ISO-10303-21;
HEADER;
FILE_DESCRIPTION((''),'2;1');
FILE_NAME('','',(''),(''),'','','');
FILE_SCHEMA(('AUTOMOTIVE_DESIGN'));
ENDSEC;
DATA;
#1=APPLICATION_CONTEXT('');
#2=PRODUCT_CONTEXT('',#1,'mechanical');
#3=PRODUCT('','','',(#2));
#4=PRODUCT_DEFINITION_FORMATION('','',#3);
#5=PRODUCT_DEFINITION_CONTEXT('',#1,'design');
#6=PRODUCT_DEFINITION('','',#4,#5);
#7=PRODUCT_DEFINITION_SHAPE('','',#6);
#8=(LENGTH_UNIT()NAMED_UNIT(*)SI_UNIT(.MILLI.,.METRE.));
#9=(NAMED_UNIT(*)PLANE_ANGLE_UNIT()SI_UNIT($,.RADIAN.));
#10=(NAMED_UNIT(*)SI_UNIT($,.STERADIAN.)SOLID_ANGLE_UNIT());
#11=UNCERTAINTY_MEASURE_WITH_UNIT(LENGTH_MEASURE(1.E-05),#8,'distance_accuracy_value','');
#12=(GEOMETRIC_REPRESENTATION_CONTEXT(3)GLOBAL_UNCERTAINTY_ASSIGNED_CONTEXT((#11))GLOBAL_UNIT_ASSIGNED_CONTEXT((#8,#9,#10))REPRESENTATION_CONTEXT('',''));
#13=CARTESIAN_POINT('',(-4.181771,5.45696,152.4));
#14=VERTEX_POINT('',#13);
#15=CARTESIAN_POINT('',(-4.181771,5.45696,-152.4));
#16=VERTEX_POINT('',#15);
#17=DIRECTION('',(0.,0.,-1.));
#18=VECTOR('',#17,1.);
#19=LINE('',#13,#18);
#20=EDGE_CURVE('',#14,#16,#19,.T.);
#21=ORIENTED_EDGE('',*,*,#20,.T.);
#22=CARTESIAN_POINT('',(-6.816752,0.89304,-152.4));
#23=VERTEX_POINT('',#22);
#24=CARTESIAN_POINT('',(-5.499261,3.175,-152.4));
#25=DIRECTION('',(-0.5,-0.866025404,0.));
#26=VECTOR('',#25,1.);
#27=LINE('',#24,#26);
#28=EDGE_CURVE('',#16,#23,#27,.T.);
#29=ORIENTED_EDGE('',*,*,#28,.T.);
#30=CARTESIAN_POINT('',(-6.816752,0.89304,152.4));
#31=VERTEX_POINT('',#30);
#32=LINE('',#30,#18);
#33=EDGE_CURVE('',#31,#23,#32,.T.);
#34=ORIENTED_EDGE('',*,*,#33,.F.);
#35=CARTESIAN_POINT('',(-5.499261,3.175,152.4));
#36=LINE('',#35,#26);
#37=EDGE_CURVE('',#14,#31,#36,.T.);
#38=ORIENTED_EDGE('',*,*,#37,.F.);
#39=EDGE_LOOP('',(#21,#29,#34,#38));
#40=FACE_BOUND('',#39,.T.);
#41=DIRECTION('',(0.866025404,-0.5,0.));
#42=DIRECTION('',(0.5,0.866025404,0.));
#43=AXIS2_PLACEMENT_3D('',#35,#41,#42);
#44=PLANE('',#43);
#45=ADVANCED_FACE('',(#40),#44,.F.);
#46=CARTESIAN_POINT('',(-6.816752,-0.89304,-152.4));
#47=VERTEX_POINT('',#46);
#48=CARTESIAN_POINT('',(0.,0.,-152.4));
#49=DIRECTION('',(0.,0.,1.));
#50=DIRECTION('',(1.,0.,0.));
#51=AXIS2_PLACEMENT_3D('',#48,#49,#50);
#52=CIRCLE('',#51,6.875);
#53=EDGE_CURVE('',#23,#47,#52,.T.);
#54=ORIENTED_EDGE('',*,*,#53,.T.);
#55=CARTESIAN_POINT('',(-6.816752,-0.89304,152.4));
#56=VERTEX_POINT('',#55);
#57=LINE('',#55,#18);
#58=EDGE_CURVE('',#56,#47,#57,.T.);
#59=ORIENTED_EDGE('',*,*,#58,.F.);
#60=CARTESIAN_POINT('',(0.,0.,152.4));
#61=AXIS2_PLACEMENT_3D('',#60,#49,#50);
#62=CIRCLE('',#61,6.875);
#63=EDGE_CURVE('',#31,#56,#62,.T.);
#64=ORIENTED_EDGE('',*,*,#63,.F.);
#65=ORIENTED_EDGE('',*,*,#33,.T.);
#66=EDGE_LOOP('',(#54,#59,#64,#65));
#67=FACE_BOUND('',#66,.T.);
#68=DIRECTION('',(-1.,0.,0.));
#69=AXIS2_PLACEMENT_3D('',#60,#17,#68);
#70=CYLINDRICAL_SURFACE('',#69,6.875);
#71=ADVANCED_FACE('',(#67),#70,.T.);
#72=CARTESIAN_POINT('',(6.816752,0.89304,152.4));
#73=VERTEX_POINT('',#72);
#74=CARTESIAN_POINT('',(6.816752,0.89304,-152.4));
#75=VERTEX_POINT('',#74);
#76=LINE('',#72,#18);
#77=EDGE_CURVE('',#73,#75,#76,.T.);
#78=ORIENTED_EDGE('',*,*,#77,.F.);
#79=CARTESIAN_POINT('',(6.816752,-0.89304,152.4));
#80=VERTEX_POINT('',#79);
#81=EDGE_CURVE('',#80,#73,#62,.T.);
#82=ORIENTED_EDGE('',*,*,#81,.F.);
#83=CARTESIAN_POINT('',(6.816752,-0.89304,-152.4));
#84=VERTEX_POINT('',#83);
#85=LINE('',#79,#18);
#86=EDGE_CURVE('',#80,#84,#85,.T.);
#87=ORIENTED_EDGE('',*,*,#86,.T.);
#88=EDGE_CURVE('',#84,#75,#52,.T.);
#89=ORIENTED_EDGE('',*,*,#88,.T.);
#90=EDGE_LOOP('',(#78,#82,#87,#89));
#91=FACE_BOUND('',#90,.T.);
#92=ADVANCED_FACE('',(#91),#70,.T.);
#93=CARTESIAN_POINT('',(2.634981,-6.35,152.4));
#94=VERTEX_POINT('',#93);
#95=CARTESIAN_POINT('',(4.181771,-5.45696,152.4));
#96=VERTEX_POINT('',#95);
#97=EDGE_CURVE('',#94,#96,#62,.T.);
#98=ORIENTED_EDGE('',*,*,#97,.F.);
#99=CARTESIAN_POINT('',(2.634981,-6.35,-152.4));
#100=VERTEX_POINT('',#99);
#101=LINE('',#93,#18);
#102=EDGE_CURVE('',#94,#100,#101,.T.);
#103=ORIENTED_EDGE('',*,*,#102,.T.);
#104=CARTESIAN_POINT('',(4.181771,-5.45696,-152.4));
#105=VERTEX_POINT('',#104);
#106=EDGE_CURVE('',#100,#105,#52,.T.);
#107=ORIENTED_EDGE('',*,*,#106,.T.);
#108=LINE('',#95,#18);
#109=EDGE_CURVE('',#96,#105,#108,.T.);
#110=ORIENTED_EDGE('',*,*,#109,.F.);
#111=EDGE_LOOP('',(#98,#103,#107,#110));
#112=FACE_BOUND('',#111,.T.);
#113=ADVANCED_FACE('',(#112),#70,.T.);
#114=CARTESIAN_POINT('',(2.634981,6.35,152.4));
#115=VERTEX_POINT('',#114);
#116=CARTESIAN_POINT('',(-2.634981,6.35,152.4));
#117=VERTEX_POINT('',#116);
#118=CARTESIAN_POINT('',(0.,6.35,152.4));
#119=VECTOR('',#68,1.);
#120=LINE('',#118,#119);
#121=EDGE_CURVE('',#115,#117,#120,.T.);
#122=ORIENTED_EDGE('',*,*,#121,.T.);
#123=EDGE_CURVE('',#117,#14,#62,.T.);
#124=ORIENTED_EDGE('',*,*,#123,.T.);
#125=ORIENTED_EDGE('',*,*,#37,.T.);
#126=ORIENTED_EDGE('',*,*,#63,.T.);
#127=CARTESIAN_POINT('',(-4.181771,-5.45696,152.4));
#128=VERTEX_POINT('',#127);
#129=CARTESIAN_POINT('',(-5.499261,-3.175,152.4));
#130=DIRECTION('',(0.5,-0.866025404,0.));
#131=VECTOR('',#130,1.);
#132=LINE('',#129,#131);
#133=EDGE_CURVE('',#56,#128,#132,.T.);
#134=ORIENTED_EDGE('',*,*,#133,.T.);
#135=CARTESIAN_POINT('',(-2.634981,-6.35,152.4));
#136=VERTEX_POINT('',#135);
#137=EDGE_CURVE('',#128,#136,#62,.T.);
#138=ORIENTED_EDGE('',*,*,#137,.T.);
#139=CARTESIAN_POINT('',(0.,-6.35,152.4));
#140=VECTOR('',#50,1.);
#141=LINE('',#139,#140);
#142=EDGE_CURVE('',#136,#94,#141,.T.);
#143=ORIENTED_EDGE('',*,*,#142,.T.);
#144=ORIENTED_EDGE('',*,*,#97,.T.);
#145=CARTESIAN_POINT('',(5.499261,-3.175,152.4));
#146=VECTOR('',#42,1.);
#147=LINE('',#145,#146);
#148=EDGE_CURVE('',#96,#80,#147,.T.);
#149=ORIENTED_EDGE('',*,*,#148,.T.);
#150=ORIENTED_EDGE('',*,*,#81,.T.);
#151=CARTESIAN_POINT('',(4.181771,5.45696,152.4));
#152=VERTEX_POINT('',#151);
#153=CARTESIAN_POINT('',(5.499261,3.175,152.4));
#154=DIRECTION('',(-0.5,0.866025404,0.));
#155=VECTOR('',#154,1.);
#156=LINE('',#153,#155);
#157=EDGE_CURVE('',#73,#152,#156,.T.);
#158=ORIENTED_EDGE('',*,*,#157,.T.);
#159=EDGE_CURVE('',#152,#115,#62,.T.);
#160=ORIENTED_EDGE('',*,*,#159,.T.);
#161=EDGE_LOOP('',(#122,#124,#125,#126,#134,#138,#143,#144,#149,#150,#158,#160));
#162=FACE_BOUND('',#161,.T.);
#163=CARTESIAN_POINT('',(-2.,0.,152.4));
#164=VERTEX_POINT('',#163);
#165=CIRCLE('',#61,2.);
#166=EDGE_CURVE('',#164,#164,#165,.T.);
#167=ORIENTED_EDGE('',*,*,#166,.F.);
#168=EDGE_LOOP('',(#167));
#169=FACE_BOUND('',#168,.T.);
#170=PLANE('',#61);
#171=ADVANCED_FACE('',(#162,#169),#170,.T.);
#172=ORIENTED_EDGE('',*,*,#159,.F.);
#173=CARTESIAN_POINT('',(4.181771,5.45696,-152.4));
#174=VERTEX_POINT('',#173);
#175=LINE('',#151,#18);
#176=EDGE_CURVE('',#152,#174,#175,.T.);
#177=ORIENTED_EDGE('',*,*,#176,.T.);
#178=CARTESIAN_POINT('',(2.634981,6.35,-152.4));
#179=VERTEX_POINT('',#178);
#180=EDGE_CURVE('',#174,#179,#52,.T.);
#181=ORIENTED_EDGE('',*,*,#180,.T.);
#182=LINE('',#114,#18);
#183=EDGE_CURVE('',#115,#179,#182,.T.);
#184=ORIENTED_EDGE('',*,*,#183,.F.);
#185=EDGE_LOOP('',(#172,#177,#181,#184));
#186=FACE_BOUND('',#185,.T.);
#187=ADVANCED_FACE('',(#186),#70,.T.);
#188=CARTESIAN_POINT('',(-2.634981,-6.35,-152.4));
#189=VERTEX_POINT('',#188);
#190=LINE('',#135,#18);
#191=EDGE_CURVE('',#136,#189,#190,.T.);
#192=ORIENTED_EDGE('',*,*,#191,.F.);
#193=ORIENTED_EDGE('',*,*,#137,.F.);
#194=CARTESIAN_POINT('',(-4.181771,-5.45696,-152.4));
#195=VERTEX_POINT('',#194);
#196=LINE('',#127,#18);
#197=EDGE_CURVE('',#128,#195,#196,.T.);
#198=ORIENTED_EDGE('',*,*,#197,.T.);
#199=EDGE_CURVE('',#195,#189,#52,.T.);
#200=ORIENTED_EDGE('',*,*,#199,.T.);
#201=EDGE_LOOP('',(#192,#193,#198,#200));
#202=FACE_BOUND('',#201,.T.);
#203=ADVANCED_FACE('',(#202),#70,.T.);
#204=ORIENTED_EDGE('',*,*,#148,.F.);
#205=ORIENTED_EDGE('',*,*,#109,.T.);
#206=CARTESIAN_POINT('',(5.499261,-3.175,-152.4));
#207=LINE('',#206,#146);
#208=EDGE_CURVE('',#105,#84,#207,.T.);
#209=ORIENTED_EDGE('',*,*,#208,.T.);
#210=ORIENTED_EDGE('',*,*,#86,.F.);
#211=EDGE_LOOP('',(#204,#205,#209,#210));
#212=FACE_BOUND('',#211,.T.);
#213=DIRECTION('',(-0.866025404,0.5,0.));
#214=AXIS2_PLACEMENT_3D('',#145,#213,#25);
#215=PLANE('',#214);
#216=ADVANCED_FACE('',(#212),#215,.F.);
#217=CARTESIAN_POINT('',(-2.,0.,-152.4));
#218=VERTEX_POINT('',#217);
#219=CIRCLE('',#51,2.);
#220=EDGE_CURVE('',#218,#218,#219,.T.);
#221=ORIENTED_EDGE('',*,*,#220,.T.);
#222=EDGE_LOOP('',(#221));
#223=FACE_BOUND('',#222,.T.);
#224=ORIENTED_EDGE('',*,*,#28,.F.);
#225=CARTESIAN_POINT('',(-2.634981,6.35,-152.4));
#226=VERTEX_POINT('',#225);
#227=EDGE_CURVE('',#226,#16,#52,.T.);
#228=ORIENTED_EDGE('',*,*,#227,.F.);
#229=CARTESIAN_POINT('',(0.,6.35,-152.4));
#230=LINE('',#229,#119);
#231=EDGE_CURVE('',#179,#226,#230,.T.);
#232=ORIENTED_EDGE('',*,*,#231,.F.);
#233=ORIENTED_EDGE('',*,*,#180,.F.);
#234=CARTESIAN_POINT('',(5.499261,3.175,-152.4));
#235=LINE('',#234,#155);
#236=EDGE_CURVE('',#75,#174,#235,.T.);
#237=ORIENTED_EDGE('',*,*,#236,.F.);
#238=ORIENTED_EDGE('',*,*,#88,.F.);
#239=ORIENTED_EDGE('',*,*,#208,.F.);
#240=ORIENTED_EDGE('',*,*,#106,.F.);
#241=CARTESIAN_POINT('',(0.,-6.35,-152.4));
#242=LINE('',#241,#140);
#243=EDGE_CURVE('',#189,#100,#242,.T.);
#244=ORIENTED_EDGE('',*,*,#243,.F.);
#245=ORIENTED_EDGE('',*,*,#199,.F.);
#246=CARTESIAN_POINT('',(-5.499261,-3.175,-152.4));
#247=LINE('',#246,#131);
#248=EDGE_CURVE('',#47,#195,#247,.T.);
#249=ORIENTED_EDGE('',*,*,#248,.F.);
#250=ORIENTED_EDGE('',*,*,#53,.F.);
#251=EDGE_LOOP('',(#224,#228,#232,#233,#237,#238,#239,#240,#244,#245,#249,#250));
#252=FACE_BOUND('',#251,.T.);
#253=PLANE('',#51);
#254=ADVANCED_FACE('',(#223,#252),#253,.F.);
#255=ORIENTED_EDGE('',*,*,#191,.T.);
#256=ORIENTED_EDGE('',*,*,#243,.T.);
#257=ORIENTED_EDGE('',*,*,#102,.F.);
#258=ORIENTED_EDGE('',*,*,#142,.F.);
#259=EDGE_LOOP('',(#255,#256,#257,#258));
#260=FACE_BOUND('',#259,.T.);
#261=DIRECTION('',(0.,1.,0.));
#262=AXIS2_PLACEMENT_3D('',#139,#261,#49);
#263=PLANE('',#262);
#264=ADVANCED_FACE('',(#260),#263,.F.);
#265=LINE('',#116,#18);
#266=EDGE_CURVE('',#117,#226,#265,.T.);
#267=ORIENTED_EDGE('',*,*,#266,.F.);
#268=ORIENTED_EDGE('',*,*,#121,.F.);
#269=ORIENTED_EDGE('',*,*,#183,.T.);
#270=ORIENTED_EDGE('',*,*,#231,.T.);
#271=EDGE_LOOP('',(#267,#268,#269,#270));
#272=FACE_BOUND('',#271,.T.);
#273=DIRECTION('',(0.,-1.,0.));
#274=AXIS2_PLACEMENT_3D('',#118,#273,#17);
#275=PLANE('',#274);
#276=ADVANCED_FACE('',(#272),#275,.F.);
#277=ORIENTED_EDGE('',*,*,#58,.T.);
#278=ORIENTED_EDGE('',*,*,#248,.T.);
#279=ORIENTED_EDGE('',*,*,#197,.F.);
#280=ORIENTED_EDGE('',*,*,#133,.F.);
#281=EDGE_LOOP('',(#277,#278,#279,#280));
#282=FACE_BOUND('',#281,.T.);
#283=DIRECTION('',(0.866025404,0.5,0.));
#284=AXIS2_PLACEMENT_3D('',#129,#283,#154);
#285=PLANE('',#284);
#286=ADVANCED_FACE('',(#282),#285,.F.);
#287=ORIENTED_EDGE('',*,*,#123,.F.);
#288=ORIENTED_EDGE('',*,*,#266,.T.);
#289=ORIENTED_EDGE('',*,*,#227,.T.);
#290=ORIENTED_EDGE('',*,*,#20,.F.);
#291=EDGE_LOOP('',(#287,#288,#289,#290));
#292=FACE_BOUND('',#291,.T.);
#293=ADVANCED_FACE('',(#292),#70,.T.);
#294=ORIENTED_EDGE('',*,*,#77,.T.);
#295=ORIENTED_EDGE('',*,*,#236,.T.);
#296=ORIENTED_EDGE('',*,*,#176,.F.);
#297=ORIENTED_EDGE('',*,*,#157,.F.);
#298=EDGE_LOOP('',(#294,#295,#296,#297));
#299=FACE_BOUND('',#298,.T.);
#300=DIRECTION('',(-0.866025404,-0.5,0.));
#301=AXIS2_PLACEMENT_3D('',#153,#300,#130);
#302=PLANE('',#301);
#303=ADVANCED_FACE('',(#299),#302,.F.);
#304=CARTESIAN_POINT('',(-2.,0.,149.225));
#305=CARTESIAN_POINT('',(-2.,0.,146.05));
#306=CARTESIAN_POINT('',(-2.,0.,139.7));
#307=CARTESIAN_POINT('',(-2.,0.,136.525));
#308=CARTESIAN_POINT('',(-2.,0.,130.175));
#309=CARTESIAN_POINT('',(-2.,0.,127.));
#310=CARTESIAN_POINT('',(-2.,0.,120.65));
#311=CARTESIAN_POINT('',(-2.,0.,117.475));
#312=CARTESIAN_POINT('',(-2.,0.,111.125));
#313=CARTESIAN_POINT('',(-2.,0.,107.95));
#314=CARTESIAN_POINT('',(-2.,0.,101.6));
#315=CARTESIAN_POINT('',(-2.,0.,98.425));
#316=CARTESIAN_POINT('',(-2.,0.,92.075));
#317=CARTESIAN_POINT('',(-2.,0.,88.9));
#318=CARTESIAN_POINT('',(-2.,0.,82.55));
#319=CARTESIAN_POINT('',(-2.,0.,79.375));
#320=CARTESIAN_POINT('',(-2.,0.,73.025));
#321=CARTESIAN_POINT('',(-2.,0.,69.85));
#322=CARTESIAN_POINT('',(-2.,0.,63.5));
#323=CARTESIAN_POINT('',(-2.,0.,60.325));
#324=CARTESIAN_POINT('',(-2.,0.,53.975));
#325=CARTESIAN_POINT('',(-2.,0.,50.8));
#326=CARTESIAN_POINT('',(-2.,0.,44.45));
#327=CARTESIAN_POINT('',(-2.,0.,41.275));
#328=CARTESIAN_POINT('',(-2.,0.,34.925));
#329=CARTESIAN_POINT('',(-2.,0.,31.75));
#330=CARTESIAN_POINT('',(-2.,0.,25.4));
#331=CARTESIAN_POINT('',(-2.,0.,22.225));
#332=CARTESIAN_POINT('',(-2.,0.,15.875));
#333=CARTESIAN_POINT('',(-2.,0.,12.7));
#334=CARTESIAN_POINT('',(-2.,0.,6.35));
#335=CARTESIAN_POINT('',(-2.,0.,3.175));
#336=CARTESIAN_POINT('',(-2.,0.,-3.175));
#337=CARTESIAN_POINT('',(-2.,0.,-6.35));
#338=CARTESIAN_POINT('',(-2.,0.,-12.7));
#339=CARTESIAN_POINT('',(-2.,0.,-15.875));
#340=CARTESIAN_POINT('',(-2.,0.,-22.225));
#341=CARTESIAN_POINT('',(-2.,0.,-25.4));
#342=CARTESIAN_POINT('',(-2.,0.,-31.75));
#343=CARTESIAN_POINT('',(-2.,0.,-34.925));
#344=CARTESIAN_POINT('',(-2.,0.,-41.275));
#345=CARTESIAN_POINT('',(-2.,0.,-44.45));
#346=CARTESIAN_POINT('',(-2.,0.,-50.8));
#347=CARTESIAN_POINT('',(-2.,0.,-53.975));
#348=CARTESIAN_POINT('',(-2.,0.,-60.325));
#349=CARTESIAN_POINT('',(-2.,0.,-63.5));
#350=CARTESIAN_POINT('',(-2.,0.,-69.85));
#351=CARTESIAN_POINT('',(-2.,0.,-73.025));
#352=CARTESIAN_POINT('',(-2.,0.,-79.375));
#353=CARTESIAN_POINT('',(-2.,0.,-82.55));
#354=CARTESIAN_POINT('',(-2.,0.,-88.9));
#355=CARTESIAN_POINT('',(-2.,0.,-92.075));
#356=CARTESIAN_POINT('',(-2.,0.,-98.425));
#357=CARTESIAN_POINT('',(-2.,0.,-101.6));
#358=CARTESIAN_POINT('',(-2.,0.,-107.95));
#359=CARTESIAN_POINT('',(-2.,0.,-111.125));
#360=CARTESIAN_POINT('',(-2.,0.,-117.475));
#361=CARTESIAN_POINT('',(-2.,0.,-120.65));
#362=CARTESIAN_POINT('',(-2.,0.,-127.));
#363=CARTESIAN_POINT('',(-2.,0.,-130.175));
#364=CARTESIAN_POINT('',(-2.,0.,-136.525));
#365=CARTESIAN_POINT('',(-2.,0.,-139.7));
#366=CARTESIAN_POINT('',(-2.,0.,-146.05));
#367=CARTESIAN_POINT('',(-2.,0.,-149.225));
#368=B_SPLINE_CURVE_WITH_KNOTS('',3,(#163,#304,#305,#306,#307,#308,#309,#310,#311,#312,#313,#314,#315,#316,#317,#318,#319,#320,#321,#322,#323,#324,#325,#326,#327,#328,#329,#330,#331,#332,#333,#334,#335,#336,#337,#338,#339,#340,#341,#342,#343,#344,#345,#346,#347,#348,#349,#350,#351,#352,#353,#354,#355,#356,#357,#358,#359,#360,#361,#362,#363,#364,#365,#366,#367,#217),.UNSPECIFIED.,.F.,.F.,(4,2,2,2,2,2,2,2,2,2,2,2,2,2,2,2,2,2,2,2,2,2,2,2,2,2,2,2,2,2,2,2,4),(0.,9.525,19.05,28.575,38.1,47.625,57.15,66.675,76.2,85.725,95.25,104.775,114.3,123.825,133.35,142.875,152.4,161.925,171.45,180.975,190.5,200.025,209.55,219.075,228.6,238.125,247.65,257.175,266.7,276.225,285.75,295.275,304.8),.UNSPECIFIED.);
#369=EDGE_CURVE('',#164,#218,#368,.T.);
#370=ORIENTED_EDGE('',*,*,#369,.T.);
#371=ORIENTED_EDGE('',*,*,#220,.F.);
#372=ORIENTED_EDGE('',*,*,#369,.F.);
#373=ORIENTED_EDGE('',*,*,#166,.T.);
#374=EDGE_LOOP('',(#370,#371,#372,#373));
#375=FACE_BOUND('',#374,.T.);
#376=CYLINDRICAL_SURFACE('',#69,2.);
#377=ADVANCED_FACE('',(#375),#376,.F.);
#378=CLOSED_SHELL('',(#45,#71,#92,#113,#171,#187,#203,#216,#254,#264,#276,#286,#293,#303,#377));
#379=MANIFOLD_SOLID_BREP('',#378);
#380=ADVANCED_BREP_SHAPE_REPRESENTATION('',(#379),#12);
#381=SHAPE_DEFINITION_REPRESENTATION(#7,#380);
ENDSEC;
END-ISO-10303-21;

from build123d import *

# Parameters (mm, degrees)
SKETCH1_R           = 2.000000064
BOSS_EXTRUDE1_DEPTH = 152.4


with BuildPart() as part:
    # Sketch1 → Boss-Extrude1 (new, symmetric)
    with BuildSketch(Plane.XY):
        with BuildLine():
            ThreePointArc((4.181770846, 5.456960429), (3.437499983, 5.953924622), (2.634980936, 6.35))
            Line((2.634980936, 6.35), (-2.634980936, 6.35))
            ThreePointArc((-2.634980936, 6.35), (-3.437499983, 5.953924622), (-4.181770846, 5.456960429))
            Line((-4.181770846, 5.456960429), (-6.816751782, 0.893039571))
            ThreePointArc((-6.816751782, 0.893039571), (-6.874999966, 0), (-6.816751782, -0.893039571))
            Line((-6.816751782, -0.893039571), (-4.181770846, -5.456960429))
            ThreePointArc((-4.181770846, -5.456960429), (-3.437499983, -5.953924622), (-2.634980936, -6.35))
            Line((-2.634980936, -6.35), (2.634980936, -6.35))
            ThreePointArc((2.634980936, -6.35), (3.437499983, -5.953924622), (4.181770846, -5.456960429))
            Line((4.181770846, -5.456960429), (6.816751782, -0.893039571))
            ThreePointArc((6.816751782, -0.893039571), (6.860422465, -0.447468582), (6.874999966, 0))
            ThreePointArc((6.874999966, 0), (6.860422465, 0.447468582), (6.816751782, 0.893039571))
            Line((6.816751782, 0.893039571), (4.181770846, 5.456960429))
        make_face()
        with Locations(Location((0, 0, 0), (0, 0, 180))):
            Circle(SKETCH1_R, mode=Mode.SUBTRACT)
    extrude(amount=BOSS_EXTRUDE1_DEPTH, both=True)


solid = part.part
